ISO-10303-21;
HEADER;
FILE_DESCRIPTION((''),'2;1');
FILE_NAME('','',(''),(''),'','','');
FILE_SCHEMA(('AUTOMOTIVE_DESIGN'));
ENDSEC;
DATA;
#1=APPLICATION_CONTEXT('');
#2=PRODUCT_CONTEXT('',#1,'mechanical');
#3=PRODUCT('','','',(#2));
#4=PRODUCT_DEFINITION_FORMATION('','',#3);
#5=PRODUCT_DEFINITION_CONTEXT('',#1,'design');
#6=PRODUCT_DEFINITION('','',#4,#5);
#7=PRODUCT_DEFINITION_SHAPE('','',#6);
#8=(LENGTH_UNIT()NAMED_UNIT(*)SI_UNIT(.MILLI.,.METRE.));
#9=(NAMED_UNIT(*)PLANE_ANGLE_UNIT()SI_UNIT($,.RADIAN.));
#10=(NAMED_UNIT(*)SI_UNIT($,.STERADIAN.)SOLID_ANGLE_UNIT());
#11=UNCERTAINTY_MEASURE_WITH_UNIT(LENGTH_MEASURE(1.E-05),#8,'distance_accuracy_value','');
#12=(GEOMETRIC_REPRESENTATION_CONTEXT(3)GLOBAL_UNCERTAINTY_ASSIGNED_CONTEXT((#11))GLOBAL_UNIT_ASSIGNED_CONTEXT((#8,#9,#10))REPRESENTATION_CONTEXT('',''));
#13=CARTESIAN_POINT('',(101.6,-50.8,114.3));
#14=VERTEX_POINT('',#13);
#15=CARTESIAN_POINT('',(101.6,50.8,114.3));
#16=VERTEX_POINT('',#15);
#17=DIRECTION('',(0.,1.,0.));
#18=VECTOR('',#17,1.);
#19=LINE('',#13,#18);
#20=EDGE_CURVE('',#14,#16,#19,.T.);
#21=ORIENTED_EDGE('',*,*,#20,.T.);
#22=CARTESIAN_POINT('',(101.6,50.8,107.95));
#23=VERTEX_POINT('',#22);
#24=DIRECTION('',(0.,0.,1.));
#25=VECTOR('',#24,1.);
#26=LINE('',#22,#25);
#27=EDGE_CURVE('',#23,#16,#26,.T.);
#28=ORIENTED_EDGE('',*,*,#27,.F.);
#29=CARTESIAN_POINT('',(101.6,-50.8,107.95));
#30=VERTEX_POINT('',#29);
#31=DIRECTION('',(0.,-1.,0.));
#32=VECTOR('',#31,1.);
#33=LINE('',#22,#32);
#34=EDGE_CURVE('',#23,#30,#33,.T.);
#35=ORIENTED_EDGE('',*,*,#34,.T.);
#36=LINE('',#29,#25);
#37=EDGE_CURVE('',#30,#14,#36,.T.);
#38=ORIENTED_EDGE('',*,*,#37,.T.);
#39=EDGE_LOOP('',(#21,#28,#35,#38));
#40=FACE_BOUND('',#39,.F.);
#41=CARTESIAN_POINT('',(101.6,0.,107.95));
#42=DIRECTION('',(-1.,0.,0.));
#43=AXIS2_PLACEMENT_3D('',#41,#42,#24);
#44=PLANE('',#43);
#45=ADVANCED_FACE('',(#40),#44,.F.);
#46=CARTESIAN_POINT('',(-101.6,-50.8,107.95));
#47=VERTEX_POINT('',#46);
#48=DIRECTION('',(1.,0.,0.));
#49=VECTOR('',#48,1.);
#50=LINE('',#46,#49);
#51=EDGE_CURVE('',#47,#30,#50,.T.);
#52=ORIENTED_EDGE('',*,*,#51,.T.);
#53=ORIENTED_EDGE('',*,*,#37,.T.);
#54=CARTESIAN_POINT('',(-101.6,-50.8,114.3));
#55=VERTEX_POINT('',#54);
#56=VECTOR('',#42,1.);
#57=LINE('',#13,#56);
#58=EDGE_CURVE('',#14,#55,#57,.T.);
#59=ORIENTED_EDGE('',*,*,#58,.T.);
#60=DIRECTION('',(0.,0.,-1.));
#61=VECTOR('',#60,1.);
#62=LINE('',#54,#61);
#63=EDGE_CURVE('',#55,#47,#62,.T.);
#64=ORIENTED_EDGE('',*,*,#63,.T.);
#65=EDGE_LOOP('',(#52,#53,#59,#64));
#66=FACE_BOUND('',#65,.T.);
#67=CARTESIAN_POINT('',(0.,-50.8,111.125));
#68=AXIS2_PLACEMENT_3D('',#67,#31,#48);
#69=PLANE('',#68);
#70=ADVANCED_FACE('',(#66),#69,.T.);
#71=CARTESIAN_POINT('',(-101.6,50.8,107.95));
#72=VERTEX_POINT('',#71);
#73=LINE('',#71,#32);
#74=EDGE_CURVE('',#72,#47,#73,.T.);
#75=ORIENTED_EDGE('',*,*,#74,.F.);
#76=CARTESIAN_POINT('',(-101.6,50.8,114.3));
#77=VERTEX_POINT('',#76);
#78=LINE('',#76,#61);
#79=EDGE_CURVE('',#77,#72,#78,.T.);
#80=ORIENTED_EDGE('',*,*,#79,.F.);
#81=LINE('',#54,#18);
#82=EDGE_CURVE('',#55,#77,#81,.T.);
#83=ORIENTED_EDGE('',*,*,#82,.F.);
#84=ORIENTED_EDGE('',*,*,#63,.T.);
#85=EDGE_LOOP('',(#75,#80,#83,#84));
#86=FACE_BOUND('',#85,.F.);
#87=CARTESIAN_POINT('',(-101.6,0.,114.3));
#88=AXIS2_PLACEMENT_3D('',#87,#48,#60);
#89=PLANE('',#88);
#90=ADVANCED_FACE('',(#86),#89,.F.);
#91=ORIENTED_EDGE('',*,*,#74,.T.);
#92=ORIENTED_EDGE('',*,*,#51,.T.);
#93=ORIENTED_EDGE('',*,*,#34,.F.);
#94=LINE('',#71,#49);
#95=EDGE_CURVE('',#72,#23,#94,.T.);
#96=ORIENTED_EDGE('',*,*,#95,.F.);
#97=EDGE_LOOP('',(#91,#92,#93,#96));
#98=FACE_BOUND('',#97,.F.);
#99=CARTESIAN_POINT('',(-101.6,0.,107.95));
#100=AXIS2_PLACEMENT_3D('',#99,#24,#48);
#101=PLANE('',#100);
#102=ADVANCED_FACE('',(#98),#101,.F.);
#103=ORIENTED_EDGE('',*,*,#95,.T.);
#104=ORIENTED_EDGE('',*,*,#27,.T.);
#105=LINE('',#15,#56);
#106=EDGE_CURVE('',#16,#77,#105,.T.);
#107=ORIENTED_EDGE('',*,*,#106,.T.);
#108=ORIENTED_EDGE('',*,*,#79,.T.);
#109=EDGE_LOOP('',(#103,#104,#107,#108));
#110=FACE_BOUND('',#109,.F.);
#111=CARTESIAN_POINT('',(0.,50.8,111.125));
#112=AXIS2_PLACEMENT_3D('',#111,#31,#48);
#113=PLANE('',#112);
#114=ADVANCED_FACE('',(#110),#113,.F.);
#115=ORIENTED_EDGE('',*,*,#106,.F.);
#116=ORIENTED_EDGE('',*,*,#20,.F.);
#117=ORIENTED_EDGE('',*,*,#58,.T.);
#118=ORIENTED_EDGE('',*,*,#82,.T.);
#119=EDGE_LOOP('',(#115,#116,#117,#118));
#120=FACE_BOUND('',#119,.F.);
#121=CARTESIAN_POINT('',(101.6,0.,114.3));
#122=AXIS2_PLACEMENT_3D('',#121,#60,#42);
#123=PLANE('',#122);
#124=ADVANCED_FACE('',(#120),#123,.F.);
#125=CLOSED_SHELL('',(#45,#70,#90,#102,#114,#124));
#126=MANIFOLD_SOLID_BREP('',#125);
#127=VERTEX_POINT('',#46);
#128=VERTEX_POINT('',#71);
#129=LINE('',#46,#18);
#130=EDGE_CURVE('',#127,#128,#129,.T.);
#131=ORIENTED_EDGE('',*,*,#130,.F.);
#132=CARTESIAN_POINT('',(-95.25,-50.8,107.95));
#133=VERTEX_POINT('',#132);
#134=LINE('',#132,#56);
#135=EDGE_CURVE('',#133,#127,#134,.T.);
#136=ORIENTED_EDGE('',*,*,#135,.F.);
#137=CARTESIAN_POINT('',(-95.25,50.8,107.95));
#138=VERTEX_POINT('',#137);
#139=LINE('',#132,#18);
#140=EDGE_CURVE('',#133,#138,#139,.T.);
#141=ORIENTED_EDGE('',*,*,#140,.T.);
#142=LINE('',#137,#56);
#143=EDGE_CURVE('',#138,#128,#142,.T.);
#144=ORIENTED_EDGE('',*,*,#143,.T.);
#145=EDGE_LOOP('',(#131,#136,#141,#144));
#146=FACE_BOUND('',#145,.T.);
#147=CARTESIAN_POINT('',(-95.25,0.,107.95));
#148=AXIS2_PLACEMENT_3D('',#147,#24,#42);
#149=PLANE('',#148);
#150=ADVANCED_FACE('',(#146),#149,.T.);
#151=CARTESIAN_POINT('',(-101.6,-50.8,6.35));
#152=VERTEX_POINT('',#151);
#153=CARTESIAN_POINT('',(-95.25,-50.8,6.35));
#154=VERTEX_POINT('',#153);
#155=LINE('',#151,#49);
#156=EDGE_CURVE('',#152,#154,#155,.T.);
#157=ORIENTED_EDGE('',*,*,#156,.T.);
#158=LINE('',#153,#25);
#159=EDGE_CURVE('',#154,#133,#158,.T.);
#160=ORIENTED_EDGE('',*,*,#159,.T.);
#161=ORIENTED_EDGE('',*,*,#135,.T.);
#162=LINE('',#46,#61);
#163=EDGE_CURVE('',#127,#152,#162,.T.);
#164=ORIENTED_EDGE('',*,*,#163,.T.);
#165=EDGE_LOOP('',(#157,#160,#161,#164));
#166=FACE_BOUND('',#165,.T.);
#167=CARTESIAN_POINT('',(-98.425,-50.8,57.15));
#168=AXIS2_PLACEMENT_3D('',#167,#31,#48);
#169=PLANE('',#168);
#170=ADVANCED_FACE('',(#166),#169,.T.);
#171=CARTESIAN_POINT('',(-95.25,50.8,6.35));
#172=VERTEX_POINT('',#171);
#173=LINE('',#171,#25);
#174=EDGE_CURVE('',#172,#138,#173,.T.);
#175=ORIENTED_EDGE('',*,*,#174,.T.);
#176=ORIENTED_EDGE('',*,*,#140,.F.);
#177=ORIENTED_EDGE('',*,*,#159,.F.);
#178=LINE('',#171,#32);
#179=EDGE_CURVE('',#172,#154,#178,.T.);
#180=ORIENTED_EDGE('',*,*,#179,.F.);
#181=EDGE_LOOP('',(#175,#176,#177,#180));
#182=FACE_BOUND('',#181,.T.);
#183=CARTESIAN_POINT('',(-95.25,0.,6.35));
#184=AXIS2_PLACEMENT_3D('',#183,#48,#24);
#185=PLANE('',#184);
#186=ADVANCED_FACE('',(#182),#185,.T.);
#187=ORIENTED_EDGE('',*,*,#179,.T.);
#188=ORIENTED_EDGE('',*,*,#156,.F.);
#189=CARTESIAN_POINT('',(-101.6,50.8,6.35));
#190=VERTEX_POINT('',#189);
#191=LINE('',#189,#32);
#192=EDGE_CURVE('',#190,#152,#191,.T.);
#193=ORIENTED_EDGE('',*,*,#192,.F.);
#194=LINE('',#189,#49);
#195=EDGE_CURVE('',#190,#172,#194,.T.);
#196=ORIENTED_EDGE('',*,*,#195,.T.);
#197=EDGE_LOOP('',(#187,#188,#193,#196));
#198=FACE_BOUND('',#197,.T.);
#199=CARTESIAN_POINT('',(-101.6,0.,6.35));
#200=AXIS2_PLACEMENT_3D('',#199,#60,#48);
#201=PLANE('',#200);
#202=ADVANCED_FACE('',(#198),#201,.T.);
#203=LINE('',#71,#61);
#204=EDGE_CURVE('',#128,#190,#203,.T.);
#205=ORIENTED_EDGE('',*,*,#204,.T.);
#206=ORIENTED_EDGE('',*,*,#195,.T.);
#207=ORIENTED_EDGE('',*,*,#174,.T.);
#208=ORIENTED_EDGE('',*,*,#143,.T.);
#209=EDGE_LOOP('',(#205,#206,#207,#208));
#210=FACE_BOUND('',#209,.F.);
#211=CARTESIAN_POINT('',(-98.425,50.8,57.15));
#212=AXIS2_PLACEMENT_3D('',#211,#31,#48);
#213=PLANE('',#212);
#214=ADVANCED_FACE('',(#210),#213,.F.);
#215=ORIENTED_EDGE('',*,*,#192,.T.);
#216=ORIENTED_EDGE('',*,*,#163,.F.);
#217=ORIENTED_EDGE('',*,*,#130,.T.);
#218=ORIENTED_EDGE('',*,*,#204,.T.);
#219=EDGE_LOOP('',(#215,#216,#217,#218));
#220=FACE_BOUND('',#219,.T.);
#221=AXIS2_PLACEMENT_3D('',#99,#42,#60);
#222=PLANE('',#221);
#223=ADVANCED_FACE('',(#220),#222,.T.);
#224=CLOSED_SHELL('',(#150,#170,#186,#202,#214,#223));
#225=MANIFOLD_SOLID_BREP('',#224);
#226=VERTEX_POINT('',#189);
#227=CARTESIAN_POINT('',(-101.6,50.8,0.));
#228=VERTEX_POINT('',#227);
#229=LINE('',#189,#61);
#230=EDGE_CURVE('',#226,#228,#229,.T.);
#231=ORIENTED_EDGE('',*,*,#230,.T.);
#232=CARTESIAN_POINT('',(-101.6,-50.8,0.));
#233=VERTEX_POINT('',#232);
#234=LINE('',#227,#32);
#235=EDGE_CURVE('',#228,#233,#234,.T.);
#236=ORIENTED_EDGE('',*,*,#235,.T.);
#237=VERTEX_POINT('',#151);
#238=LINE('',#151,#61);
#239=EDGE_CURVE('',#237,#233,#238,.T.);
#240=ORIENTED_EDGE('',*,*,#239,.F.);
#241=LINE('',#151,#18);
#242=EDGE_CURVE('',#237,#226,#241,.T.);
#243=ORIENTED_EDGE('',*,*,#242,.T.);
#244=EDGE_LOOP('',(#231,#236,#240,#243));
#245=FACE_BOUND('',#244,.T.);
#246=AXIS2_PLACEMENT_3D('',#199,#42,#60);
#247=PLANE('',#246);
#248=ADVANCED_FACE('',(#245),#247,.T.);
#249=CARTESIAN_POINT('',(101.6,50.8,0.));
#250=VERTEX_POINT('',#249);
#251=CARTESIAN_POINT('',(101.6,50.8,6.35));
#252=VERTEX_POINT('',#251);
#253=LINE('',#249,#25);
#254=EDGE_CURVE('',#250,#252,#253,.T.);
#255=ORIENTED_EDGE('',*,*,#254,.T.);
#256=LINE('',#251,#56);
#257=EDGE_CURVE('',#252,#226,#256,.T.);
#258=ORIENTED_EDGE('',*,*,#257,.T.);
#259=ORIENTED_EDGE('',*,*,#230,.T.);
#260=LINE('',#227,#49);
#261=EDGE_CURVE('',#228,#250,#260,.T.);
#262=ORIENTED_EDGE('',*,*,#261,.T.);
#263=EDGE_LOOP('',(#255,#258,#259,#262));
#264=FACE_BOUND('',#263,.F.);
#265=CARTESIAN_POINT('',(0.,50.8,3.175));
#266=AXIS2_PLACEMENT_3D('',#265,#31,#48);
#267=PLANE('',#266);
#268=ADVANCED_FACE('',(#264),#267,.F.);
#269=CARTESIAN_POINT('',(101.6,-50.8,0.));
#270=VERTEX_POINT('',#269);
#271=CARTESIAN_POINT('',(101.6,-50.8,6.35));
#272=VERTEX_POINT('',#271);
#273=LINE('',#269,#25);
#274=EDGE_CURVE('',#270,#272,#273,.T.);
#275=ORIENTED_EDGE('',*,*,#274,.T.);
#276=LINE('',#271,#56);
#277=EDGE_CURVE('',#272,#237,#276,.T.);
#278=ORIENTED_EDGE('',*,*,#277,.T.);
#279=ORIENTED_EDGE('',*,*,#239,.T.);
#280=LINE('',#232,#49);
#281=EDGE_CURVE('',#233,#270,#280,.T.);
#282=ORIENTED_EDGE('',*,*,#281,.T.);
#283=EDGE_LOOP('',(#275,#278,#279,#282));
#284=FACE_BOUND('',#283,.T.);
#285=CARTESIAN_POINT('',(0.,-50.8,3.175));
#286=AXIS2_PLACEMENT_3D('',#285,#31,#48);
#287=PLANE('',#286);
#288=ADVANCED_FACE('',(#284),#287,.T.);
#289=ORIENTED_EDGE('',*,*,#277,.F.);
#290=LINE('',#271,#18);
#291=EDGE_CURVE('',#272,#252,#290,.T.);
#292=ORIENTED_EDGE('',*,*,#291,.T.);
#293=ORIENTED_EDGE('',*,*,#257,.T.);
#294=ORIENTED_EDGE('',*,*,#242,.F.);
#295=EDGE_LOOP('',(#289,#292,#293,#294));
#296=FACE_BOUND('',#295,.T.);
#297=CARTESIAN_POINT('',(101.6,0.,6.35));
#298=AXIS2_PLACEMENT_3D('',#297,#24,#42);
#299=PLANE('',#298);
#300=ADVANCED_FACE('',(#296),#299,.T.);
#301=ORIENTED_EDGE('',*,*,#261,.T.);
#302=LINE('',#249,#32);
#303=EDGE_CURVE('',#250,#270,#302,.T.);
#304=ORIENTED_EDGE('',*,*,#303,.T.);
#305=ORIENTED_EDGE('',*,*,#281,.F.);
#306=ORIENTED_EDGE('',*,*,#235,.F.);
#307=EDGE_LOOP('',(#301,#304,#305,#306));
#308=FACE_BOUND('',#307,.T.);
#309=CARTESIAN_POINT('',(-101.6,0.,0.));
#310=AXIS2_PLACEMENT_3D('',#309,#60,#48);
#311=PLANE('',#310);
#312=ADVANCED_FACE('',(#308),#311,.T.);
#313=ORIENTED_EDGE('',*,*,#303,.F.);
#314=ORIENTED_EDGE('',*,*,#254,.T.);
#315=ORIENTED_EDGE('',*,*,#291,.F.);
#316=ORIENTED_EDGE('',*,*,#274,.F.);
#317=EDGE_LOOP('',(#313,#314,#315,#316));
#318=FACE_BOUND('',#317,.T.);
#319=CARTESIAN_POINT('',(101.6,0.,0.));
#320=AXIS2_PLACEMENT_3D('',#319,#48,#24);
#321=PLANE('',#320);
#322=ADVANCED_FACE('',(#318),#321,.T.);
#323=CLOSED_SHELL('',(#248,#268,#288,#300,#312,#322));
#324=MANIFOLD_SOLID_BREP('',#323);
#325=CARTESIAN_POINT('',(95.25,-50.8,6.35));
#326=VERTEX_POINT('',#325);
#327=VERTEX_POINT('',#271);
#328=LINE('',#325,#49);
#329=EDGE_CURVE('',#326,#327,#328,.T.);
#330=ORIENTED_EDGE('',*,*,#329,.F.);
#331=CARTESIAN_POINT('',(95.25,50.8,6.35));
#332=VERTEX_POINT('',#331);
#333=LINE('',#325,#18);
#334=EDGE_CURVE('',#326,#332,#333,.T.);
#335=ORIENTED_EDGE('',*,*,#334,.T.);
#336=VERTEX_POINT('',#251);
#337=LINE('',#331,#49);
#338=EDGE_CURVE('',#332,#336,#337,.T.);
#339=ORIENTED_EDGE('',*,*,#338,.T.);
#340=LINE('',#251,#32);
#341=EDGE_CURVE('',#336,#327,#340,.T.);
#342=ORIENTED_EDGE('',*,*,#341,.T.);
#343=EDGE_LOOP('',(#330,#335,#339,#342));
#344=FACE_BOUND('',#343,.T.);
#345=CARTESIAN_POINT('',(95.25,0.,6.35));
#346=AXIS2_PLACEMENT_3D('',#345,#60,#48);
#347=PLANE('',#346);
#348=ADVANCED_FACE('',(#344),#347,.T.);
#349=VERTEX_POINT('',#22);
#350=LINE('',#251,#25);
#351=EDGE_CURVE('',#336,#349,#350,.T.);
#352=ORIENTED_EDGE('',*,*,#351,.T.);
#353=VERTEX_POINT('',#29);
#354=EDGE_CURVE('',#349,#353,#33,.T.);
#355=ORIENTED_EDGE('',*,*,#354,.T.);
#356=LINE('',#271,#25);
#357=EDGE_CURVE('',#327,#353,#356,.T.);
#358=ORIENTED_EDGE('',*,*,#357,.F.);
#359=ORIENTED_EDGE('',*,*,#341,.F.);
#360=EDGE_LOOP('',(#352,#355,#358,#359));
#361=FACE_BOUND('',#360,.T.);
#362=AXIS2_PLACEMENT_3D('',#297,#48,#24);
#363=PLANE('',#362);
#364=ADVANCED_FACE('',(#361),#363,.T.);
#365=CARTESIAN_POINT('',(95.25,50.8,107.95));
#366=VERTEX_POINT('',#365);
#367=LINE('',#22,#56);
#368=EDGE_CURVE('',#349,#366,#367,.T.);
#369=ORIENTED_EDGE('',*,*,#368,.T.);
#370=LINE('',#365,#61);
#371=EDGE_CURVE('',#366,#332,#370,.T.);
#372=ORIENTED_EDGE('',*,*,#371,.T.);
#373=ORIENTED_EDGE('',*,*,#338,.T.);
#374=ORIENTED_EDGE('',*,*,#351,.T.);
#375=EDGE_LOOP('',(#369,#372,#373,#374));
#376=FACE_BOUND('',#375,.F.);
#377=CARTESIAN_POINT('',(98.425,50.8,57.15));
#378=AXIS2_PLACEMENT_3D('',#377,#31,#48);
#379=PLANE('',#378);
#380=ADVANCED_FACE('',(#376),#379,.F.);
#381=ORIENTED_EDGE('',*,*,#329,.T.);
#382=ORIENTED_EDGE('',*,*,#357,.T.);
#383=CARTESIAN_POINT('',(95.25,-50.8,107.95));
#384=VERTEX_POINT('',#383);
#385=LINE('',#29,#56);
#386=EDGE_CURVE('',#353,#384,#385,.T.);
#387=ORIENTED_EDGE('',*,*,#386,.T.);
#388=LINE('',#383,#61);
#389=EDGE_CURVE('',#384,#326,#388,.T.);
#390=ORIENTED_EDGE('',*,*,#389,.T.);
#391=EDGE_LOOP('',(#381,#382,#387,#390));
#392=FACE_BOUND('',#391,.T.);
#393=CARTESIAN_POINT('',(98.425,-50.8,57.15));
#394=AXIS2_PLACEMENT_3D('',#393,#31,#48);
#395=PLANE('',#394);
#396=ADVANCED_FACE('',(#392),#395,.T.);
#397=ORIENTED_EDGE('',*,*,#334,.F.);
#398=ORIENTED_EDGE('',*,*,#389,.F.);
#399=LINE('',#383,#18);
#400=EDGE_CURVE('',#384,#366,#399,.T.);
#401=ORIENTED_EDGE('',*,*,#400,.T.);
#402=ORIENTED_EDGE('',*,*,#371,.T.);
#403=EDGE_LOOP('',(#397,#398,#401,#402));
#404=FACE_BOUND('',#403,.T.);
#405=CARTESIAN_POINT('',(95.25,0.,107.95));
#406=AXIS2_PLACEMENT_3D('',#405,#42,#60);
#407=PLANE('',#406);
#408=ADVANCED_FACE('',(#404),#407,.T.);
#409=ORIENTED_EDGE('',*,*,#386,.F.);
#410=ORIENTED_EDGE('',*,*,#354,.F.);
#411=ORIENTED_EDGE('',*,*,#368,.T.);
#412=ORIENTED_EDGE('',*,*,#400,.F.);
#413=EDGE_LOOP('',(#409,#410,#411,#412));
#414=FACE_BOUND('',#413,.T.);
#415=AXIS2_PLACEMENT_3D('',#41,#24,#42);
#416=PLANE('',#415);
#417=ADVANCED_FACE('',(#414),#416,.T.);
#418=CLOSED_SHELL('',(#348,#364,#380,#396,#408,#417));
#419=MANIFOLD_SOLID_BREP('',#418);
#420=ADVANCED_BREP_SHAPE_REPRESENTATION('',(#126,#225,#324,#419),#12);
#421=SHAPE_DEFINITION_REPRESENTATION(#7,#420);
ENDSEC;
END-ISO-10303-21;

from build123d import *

# Parameters (mm, degrees)
F1_DEPTH      = 50.8
F2_DEPTH      = 50.8
F2_DEPTH_BACK = 50.8


with BuildPart() as f1:
    # F0 (on Front) → F1 (new body, symmetric)
    with BuildSketch(Plane.XZ):
        Polygon((-101.6, 114.3), (-101.6, 107.95), (-95.25, 107.95), (95.25, 107.95), (101.6, 107.95), (101.6, 114.3), align=None)
        Polygon((-101.6, 6.35), (-101.6, 0), (101.6, 0), (101.6, 6.35), (95.25, 6.35), (-95.25, 6.35), align=None)
    extrude(amount=F1_DEPTH, both=True)


with BuildPart() as f2:
    # F0 (on Front) → F2 (new body, two sides)
    with BuildSketch(Plane.XZ) as f2_sk:
        Polygon((-101.6, 107.95), (-101.6, 6.35), (-95.25, 6.35), (-95.25, 57.15), (-95.25, 107.95), align=None)
        Polygon((95.25, 6.35), (101.6, 6.35), (101.6, 107.95), (95.25, 107.95), (95.25, 57.15), align=None)
    extrude(amount=F2_DEPTH)
    extrude(f2_sk.sketch, amount=-F2_DEPTH_BACK)


solid = Compound([f1.part, f2.part])
